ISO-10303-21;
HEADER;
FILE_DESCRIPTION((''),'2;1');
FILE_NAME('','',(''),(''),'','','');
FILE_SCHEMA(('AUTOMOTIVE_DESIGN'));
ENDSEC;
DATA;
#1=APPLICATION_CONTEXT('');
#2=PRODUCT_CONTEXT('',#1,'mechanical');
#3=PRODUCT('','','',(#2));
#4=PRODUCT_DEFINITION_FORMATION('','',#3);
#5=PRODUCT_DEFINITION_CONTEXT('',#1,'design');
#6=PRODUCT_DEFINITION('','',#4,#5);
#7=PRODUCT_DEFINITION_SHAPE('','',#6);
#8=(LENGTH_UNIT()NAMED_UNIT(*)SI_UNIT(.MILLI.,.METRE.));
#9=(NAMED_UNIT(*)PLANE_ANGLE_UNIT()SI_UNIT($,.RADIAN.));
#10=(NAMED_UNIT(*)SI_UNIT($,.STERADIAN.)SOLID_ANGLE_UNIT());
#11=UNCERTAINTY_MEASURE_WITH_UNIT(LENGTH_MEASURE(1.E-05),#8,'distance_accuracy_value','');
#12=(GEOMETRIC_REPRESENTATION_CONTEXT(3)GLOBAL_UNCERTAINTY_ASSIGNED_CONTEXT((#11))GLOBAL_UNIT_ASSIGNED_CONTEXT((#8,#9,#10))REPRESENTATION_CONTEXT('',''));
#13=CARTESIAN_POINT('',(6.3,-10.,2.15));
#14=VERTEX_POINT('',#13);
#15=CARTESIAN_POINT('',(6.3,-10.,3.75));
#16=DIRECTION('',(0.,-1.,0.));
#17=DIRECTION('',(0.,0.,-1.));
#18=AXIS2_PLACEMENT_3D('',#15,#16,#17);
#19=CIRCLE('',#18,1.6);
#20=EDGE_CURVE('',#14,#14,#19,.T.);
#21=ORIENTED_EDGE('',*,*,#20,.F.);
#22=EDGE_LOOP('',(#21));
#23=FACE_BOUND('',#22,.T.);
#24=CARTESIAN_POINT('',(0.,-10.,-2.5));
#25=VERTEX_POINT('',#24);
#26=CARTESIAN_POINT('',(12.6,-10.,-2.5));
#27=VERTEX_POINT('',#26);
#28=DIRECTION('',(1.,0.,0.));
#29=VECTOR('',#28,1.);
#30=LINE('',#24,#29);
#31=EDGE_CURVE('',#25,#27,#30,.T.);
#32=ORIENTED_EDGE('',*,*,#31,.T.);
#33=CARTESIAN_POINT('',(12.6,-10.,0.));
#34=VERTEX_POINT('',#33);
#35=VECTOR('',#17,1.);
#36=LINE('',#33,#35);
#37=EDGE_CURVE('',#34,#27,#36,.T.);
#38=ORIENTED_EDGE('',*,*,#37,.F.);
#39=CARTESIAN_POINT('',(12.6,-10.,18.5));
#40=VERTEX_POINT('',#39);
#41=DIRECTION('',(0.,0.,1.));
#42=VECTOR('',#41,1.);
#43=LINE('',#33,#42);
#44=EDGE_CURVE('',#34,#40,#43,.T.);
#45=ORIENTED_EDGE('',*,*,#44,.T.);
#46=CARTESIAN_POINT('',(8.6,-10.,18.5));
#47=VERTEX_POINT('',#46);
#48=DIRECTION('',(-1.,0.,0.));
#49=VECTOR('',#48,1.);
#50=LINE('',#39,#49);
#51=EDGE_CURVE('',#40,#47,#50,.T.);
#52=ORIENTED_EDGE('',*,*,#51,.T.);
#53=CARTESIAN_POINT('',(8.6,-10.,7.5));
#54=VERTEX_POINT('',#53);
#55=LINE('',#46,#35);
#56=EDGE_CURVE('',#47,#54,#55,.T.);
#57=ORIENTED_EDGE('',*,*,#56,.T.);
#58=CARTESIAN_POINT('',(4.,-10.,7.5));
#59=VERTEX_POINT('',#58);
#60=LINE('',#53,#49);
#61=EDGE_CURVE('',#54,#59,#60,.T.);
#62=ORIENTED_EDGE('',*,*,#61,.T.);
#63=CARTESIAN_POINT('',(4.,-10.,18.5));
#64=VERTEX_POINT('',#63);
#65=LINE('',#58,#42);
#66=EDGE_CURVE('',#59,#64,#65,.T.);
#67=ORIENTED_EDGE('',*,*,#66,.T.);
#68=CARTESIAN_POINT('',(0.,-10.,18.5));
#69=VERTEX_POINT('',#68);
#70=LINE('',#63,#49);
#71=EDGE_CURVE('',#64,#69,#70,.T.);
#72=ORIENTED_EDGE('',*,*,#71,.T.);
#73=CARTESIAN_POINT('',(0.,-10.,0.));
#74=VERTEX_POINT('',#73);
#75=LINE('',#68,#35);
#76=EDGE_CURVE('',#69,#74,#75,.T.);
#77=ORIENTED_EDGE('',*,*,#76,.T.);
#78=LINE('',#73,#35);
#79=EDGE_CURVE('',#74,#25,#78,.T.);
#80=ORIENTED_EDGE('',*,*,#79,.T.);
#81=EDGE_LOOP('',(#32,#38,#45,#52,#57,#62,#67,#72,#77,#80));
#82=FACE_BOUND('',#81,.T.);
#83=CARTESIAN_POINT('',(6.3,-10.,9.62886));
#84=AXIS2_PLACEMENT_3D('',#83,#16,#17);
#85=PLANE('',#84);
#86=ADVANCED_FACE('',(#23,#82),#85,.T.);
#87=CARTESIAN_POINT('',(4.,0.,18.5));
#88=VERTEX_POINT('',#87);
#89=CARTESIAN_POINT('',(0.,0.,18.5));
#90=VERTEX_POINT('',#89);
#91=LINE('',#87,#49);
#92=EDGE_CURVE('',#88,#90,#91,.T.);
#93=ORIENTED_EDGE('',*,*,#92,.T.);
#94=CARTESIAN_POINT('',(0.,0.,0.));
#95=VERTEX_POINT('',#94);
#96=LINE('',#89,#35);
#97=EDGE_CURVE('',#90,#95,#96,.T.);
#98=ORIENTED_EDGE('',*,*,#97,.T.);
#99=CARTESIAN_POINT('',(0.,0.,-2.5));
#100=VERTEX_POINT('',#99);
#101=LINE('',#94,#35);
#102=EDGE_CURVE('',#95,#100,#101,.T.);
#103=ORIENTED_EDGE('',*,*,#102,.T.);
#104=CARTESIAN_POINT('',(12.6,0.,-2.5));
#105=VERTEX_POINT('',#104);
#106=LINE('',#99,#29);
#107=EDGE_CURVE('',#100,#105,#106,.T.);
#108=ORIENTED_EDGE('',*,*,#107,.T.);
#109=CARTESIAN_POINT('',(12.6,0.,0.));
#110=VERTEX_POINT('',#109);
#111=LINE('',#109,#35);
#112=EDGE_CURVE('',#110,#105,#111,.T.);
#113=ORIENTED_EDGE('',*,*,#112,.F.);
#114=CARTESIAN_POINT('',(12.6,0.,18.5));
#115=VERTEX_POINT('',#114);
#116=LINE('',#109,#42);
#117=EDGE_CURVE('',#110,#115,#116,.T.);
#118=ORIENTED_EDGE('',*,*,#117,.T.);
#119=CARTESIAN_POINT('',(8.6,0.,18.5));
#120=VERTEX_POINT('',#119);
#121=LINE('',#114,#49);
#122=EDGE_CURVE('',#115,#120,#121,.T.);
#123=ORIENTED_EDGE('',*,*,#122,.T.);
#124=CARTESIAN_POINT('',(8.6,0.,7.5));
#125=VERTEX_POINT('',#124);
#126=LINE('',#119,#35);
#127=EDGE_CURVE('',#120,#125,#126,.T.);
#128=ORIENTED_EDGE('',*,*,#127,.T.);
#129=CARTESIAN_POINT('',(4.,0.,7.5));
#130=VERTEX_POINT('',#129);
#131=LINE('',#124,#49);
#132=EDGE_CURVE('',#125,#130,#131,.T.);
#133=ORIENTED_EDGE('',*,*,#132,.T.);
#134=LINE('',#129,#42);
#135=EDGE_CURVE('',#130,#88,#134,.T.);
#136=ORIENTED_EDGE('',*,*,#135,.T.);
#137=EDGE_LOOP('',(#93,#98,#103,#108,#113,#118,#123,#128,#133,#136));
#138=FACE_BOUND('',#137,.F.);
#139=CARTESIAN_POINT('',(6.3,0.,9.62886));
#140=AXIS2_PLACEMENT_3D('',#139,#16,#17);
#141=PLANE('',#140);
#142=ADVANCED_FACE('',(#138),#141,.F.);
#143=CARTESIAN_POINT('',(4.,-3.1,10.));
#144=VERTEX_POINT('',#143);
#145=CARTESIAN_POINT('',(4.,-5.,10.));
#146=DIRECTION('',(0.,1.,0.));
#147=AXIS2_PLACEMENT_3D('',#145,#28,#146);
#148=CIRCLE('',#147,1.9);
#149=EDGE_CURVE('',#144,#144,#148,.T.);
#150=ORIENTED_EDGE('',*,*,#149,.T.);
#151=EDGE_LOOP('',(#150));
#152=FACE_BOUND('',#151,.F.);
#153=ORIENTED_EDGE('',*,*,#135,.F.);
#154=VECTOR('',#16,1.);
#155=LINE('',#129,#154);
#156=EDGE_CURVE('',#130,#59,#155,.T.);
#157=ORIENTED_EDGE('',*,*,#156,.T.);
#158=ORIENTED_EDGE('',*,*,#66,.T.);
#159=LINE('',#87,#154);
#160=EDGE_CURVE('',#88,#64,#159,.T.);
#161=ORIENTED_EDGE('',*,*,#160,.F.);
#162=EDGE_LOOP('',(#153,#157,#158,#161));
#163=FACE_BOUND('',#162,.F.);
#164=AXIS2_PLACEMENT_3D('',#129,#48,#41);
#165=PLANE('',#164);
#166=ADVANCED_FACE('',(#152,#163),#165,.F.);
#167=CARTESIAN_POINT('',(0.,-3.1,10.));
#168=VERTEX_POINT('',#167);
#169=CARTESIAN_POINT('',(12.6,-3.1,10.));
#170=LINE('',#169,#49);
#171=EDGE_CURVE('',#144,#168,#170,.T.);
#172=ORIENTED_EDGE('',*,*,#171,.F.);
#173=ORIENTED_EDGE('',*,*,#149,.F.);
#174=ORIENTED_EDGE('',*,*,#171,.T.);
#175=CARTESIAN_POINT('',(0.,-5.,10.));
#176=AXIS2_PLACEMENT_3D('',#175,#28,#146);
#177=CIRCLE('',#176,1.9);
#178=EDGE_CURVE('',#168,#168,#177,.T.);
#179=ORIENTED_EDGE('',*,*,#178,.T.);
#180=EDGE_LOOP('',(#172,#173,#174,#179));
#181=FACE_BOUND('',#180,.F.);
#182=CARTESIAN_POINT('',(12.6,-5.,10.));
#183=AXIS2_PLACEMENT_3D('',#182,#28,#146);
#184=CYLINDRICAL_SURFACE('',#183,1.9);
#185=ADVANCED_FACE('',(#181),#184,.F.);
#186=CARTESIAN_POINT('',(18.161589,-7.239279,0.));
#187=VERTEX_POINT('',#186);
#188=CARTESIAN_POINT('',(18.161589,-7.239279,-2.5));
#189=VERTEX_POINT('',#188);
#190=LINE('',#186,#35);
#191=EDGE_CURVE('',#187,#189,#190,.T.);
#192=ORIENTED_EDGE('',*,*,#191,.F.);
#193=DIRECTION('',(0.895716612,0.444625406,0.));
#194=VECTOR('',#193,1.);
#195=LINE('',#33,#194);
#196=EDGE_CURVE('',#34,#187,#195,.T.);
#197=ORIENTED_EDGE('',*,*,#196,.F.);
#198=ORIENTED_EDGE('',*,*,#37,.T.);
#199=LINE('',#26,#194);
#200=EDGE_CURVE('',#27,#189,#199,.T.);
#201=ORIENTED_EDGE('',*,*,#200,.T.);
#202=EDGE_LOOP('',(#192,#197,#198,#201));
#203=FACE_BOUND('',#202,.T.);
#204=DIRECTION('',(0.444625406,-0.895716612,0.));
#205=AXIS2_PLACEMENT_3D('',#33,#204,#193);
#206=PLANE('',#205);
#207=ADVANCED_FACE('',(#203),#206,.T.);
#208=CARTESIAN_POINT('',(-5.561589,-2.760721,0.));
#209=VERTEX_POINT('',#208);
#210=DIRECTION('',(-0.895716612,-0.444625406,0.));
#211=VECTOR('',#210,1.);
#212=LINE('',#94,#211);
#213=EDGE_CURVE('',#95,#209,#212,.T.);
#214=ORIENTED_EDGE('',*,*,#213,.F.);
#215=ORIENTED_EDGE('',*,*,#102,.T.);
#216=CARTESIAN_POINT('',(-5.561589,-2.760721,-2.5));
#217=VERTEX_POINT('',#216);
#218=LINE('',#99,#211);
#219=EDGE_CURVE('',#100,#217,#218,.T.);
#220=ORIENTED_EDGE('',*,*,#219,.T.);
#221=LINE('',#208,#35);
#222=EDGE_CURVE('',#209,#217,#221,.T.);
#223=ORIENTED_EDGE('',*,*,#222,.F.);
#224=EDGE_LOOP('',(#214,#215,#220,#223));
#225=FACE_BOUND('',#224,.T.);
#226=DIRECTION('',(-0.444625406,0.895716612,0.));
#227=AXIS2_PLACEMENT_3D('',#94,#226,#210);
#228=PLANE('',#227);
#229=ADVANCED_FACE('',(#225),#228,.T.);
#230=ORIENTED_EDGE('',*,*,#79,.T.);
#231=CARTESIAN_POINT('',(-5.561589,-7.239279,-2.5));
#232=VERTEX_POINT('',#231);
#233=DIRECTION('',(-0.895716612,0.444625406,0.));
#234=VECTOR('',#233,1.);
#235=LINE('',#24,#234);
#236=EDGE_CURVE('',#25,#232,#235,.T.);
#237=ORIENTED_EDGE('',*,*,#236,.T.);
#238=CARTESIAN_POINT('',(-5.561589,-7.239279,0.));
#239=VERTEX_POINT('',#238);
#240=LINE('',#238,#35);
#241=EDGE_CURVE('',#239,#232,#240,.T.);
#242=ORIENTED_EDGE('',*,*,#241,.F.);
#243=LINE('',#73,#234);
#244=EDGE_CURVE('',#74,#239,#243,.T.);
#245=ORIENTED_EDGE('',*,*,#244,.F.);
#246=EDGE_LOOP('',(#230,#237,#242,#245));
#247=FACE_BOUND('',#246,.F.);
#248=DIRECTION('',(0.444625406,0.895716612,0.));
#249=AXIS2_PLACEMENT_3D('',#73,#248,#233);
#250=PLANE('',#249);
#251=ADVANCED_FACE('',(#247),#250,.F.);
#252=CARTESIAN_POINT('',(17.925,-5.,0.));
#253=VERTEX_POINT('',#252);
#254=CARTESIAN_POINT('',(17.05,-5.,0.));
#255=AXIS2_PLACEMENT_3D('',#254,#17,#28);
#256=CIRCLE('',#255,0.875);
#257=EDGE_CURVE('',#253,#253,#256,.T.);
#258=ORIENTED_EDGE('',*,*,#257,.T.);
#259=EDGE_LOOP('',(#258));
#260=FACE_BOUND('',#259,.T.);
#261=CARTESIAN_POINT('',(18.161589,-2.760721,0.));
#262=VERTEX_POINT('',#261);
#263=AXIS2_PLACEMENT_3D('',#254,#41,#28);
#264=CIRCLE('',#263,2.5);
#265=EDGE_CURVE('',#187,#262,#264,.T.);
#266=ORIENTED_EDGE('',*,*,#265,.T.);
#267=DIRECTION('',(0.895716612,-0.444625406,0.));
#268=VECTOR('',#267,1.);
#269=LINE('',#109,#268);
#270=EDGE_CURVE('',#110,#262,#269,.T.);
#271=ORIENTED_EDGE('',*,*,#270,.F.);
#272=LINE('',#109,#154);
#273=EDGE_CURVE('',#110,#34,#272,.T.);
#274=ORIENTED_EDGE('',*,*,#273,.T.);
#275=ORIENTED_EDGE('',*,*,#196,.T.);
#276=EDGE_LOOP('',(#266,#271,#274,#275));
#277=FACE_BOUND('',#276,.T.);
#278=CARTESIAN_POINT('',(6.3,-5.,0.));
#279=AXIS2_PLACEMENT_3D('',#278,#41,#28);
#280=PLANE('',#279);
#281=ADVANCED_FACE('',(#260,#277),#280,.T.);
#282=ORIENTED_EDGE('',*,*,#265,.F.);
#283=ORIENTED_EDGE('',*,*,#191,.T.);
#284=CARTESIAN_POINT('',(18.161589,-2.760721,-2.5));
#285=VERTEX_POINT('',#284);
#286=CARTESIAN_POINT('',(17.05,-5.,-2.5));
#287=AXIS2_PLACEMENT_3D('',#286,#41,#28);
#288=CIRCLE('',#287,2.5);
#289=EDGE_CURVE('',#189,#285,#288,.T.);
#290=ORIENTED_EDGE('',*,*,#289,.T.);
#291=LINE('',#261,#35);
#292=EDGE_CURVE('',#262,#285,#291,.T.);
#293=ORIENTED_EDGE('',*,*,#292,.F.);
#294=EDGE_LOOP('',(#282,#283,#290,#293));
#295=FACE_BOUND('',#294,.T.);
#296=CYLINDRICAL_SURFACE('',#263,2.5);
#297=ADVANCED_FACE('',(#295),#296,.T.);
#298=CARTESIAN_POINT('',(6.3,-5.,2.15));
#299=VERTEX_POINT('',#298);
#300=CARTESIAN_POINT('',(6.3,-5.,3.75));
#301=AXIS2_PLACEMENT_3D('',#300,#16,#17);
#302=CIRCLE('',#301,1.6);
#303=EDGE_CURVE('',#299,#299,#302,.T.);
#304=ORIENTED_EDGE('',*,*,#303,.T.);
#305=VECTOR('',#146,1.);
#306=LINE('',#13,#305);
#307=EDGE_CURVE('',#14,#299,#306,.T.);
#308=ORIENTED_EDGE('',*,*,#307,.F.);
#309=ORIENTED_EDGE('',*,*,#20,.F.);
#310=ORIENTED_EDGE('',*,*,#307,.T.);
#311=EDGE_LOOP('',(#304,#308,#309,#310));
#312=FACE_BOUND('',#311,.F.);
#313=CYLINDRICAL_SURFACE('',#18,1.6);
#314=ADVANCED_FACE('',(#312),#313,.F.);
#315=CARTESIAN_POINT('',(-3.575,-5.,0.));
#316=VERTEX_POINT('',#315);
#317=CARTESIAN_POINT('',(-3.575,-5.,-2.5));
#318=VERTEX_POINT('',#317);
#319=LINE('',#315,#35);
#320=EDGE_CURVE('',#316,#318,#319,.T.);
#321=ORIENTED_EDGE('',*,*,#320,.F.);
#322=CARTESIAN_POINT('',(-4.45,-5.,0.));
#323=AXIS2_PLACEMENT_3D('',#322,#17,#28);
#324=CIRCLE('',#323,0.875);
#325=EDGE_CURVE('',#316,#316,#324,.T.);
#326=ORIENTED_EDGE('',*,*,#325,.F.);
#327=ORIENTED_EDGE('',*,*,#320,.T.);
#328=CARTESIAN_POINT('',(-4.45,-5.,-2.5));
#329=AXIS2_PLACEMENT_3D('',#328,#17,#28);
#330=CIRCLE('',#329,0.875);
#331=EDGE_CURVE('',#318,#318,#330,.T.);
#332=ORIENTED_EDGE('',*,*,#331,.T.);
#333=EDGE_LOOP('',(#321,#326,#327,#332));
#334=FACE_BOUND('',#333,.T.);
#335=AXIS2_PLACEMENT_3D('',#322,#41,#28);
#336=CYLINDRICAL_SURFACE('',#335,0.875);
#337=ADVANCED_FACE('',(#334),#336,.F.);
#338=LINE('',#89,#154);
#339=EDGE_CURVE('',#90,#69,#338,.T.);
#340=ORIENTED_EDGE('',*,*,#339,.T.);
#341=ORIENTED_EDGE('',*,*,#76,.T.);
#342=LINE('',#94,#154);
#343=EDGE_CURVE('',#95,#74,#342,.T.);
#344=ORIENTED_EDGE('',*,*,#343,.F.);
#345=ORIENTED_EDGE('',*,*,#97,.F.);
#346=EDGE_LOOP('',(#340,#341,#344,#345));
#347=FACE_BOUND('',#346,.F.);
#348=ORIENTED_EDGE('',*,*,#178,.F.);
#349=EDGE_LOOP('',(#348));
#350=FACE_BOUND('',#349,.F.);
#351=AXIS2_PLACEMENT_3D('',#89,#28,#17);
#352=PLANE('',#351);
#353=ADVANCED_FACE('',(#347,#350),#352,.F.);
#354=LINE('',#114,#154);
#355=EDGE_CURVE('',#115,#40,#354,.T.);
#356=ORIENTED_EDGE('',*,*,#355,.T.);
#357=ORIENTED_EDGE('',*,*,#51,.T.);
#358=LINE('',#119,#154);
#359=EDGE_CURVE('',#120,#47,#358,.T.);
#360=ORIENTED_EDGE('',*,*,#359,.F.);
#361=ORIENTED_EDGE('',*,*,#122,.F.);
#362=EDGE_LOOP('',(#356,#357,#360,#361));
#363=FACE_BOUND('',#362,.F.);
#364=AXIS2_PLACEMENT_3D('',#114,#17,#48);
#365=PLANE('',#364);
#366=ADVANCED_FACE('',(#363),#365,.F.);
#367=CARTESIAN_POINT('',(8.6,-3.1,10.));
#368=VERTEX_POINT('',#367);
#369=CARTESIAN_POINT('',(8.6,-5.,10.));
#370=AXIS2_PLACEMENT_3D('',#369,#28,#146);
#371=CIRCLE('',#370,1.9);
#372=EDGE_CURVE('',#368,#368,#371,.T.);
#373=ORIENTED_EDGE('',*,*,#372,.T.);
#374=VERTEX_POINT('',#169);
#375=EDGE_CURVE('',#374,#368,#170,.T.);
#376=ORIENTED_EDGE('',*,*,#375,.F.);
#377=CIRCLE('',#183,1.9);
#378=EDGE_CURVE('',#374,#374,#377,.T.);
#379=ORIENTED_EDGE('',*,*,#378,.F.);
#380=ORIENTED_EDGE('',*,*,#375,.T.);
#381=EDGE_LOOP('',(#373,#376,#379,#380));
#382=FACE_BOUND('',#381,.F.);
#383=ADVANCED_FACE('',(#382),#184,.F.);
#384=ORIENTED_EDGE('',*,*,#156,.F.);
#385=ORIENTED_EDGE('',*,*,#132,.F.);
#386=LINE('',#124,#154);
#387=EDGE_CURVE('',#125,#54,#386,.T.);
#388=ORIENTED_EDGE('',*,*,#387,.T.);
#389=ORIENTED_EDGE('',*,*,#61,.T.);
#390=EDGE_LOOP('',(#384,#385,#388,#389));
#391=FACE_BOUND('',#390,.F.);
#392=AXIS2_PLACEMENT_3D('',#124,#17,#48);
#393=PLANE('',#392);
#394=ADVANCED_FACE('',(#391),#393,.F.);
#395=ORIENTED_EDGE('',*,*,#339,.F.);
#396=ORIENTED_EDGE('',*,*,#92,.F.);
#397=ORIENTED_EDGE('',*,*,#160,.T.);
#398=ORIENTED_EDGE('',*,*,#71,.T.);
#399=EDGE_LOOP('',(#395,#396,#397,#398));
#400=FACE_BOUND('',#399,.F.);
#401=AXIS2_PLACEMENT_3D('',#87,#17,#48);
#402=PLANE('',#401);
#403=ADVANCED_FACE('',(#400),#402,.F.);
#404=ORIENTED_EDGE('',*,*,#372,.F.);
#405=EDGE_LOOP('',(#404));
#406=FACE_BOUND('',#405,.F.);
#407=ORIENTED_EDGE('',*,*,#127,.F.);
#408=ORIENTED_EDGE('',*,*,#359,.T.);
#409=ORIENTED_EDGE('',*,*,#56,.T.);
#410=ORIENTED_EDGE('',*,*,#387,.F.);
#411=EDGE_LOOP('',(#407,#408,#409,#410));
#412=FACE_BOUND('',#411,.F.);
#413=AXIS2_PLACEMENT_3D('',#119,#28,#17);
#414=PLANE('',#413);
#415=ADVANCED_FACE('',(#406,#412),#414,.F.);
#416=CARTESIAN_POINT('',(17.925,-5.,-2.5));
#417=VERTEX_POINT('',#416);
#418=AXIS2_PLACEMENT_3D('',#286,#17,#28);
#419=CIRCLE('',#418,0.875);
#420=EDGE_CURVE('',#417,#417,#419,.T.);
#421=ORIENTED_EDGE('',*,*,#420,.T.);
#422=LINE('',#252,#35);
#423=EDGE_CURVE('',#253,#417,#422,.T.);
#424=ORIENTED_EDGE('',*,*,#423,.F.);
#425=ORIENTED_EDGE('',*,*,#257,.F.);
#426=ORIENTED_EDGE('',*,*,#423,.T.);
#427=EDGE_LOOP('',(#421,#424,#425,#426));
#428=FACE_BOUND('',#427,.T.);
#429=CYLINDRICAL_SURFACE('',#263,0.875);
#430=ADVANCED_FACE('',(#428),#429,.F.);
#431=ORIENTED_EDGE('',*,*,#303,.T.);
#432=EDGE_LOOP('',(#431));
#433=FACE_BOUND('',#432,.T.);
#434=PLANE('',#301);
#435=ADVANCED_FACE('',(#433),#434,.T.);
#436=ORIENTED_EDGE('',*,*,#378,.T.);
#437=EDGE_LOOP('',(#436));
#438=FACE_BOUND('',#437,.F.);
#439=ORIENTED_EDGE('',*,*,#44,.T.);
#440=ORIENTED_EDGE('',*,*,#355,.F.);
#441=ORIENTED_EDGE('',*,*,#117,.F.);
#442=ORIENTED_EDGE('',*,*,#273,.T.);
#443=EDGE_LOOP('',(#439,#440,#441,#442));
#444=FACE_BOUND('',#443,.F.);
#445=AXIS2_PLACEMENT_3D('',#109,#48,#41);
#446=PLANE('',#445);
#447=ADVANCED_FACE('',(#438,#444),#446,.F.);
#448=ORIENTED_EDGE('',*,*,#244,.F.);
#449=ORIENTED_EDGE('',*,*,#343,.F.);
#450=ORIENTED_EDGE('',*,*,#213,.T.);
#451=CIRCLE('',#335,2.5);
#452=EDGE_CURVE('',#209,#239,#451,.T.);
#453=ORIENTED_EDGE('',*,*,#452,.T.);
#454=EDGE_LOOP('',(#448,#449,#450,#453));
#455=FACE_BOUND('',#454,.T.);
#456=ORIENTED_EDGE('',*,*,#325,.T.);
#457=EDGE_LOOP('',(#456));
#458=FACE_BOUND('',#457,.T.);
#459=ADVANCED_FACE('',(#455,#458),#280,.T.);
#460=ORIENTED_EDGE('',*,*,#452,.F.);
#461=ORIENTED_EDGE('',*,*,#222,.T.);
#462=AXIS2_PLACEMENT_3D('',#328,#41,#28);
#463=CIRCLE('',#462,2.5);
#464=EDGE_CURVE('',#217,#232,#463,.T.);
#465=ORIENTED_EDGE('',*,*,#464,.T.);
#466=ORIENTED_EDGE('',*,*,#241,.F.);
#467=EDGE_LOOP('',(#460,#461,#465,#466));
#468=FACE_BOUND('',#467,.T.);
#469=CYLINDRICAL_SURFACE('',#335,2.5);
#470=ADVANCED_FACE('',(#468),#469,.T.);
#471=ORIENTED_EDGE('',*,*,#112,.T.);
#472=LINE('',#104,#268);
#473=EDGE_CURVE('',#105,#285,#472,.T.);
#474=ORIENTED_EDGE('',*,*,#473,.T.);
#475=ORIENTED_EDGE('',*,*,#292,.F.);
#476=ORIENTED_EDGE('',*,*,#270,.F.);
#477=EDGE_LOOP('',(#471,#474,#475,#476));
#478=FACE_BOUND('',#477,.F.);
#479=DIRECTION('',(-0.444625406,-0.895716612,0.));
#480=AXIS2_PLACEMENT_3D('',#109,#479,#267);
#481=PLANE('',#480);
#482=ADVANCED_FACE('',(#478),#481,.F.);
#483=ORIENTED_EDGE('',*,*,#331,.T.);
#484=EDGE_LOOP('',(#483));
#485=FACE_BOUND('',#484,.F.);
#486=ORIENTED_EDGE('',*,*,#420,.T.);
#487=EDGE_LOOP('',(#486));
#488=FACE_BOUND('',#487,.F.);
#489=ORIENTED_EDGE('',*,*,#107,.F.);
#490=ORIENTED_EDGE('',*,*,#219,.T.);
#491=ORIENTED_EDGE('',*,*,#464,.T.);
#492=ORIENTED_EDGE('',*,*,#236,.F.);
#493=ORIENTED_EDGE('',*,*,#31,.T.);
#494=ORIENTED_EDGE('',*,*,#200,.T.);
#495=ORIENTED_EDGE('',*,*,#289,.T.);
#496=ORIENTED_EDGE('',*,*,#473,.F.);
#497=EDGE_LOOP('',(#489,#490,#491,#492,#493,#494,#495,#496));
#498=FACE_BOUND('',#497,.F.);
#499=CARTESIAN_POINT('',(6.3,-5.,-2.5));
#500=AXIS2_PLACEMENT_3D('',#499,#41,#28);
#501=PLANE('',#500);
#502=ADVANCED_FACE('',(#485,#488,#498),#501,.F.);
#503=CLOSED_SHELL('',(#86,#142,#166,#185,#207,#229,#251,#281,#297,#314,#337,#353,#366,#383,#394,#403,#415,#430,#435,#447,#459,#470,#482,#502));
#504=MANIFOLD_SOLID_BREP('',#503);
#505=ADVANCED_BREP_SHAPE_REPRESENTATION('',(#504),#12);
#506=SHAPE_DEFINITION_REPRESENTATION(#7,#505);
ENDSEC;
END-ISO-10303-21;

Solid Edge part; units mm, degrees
sketch "Sketch1" plane through (0, 0, 0) normal (0, -1, 0) x (1, 0, 0)
  line L0 (8.6, 18.5) -> (8.6, 7.5)
  line L1 (8.6, 7.5) -> (4, 7.5)
  line L2 (4, 7.5) -> (4, 18.5)
  line L3 (4, 18.5) -> (0, 18.5)
  line L4 (0, 18.5) -> (0, 0)
  line L5 (0, 0) -> (12.6, 0)
  line L6 (12.6, 0) -> (12.6, 18.5)
  line L7 (12.6, 18.5) -> (8.6, 18.5)
extrude "Protrusion1" add sketch "Sketch1" along normal blind 10
sketch "Sketch2" plane through (12.6, -5, 7.5) normal (1, 0, 0) x (0, 1, 0)
  circle A0 centre (0, 2.5) radius 1.9
extrude "Cutout1" cut sketch "Sketch2" against normal through all
sketch "Sketch3" plane through (6.3, -5, 0) normal (0, 0, -1) x (1, 0, 0)
  line L0 (-6.3, -5) -> (-11.8616, -2.2393)
  line L1 (-6.3, 5) -> (-11.8616, 2.2393)
  line L2 (-6.3, 5) -> (6.3, 5)
  line L3 (6.3, 5) -> (11.8616, 2.2393)
  line L4 (6.3, -5) -> (11.8616, -2.2393)
  line L5 (-6.3, -5) -> (6.3, -5)
  arc A0 (-11.8616, -2.2393) -> (-11.8616, 2.2393) centre (-10.75, 0) cw
  arc A1 (11.8616, 2.2393) -> (11.8616, -2.2393) centre (10.75, 0) cw
  circle A2 centre (-10.75, 0) radius 0.875
  circle A3 centre (10.75, 0) radius 0.875
extrude "ExtrudedProtrusion_4" add sketch "Sketch3" along normal blind 2.5
sketch "Sketch4" plane through (6.3, -10, 8) normal (0, -1, 0) x (0, 0, -1)
  circle A0 centre (4.25, 0) radius 1.6
extrude "ExtrudedCutout_2" cut sketch "Sketch4" against normal blind 5
